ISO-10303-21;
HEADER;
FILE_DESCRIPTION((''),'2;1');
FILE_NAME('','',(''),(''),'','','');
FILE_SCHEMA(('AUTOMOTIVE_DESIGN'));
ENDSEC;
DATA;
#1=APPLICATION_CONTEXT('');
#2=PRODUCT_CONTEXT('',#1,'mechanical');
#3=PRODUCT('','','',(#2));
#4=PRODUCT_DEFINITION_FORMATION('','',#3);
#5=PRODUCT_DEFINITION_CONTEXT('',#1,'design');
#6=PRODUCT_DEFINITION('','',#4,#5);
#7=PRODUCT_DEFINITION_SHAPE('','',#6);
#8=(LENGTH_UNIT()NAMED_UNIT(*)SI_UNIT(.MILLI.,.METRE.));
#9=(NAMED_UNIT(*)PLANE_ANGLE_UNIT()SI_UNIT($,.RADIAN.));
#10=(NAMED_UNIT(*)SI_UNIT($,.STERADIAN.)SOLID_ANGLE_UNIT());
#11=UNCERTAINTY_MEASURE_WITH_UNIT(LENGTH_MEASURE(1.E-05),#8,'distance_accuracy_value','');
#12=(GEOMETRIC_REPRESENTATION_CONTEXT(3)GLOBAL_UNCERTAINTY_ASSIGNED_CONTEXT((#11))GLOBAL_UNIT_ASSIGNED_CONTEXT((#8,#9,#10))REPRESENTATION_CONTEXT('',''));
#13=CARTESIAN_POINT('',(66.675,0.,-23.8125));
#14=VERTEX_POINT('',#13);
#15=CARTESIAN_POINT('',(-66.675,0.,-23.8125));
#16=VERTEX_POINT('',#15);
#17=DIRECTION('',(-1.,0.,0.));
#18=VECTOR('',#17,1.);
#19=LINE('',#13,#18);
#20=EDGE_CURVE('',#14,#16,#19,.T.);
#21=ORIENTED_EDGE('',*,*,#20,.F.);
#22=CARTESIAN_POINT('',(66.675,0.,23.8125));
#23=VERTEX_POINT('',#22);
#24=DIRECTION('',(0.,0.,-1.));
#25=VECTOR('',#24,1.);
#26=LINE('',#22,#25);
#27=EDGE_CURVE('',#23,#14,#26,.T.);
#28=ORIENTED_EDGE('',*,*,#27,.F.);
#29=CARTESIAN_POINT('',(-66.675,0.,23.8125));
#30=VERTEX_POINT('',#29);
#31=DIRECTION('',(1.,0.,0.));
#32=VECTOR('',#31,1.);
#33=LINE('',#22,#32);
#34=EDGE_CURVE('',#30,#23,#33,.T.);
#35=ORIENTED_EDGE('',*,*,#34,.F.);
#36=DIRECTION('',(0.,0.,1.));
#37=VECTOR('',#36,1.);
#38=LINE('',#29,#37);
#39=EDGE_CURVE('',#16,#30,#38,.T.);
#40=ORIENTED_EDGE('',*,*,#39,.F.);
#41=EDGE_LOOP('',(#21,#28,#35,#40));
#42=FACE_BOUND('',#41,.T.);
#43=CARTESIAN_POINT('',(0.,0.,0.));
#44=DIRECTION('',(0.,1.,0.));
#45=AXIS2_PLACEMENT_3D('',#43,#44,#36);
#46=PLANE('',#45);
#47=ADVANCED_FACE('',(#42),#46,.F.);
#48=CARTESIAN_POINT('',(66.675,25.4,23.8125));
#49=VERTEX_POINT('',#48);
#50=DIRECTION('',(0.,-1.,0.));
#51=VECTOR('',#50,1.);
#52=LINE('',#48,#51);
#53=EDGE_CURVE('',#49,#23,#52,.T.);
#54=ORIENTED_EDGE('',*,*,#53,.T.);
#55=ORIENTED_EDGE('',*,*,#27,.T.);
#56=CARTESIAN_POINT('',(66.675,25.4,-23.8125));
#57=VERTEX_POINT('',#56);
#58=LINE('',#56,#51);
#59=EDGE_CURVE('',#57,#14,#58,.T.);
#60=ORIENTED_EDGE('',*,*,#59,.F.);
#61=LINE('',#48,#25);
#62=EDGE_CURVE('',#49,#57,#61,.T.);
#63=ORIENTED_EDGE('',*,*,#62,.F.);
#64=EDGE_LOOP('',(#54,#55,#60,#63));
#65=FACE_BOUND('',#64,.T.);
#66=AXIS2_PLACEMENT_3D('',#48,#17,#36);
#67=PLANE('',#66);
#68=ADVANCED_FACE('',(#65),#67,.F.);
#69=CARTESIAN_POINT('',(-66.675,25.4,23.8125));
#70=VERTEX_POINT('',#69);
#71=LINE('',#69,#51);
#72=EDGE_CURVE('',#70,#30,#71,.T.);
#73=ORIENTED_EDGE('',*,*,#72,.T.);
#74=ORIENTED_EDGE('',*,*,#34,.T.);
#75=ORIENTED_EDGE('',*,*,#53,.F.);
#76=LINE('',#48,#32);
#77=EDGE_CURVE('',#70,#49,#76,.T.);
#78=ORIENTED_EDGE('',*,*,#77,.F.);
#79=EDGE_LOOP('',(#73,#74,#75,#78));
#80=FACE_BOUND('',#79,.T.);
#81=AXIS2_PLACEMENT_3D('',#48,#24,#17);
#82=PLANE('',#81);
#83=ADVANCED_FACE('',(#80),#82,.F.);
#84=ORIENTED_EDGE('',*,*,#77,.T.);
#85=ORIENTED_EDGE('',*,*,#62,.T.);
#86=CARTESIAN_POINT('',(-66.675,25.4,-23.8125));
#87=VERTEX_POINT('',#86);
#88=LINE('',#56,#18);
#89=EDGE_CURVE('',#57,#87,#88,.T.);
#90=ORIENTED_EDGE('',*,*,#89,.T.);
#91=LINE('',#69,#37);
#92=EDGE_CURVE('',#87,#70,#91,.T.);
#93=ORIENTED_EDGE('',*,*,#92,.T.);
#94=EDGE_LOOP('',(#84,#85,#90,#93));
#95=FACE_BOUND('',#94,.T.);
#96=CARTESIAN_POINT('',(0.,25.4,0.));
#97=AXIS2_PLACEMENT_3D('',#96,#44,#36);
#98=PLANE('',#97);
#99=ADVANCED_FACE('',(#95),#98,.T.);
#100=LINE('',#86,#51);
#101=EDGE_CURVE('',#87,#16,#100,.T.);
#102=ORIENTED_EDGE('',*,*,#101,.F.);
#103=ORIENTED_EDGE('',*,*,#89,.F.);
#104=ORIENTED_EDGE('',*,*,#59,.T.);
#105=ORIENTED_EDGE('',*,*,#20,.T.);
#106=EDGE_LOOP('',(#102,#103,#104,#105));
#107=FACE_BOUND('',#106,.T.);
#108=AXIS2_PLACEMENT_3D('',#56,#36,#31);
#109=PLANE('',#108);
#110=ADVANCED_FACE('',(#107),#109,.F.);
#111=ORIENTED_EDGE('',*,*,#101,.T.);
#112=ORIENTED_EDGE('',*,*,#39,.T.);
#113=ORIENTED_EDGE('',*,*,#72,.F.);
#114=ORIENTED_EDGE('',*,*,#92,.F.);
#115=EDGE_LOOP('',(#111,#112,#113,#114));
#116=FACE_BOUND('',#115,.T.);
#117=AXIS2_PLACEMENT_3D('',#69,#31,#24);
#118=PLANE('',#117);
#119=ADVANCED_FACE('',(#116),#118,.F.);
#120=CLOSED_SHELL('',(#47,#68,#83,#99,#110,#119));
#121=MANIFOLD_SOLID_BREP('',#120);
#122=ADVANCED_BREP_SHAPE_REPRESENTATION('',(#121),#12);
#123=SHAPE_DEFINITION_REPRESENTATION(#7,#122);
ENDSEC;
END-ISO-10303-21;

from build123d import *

# Parameters (mm, degrees)
SKETCH1_W           = 133.35
SKETCH1_H           = 47.625
BOSS_EXTRUDE1_DEPTH = 25.4


with BuildPart() as part:
    # Sketch1 → Boss-Extrude1 (new body)
    with BuildSketch(Plane(origin=(0, 0, 0), x_dir=(1, 0, 0), z_dir=(0, 1, 0))):
        Rectangle(SKETCH1_W, SKETCH1_H)
    extrude(amount=BOSS_EXTRUDE1_DEPTH)


solid = part.part
